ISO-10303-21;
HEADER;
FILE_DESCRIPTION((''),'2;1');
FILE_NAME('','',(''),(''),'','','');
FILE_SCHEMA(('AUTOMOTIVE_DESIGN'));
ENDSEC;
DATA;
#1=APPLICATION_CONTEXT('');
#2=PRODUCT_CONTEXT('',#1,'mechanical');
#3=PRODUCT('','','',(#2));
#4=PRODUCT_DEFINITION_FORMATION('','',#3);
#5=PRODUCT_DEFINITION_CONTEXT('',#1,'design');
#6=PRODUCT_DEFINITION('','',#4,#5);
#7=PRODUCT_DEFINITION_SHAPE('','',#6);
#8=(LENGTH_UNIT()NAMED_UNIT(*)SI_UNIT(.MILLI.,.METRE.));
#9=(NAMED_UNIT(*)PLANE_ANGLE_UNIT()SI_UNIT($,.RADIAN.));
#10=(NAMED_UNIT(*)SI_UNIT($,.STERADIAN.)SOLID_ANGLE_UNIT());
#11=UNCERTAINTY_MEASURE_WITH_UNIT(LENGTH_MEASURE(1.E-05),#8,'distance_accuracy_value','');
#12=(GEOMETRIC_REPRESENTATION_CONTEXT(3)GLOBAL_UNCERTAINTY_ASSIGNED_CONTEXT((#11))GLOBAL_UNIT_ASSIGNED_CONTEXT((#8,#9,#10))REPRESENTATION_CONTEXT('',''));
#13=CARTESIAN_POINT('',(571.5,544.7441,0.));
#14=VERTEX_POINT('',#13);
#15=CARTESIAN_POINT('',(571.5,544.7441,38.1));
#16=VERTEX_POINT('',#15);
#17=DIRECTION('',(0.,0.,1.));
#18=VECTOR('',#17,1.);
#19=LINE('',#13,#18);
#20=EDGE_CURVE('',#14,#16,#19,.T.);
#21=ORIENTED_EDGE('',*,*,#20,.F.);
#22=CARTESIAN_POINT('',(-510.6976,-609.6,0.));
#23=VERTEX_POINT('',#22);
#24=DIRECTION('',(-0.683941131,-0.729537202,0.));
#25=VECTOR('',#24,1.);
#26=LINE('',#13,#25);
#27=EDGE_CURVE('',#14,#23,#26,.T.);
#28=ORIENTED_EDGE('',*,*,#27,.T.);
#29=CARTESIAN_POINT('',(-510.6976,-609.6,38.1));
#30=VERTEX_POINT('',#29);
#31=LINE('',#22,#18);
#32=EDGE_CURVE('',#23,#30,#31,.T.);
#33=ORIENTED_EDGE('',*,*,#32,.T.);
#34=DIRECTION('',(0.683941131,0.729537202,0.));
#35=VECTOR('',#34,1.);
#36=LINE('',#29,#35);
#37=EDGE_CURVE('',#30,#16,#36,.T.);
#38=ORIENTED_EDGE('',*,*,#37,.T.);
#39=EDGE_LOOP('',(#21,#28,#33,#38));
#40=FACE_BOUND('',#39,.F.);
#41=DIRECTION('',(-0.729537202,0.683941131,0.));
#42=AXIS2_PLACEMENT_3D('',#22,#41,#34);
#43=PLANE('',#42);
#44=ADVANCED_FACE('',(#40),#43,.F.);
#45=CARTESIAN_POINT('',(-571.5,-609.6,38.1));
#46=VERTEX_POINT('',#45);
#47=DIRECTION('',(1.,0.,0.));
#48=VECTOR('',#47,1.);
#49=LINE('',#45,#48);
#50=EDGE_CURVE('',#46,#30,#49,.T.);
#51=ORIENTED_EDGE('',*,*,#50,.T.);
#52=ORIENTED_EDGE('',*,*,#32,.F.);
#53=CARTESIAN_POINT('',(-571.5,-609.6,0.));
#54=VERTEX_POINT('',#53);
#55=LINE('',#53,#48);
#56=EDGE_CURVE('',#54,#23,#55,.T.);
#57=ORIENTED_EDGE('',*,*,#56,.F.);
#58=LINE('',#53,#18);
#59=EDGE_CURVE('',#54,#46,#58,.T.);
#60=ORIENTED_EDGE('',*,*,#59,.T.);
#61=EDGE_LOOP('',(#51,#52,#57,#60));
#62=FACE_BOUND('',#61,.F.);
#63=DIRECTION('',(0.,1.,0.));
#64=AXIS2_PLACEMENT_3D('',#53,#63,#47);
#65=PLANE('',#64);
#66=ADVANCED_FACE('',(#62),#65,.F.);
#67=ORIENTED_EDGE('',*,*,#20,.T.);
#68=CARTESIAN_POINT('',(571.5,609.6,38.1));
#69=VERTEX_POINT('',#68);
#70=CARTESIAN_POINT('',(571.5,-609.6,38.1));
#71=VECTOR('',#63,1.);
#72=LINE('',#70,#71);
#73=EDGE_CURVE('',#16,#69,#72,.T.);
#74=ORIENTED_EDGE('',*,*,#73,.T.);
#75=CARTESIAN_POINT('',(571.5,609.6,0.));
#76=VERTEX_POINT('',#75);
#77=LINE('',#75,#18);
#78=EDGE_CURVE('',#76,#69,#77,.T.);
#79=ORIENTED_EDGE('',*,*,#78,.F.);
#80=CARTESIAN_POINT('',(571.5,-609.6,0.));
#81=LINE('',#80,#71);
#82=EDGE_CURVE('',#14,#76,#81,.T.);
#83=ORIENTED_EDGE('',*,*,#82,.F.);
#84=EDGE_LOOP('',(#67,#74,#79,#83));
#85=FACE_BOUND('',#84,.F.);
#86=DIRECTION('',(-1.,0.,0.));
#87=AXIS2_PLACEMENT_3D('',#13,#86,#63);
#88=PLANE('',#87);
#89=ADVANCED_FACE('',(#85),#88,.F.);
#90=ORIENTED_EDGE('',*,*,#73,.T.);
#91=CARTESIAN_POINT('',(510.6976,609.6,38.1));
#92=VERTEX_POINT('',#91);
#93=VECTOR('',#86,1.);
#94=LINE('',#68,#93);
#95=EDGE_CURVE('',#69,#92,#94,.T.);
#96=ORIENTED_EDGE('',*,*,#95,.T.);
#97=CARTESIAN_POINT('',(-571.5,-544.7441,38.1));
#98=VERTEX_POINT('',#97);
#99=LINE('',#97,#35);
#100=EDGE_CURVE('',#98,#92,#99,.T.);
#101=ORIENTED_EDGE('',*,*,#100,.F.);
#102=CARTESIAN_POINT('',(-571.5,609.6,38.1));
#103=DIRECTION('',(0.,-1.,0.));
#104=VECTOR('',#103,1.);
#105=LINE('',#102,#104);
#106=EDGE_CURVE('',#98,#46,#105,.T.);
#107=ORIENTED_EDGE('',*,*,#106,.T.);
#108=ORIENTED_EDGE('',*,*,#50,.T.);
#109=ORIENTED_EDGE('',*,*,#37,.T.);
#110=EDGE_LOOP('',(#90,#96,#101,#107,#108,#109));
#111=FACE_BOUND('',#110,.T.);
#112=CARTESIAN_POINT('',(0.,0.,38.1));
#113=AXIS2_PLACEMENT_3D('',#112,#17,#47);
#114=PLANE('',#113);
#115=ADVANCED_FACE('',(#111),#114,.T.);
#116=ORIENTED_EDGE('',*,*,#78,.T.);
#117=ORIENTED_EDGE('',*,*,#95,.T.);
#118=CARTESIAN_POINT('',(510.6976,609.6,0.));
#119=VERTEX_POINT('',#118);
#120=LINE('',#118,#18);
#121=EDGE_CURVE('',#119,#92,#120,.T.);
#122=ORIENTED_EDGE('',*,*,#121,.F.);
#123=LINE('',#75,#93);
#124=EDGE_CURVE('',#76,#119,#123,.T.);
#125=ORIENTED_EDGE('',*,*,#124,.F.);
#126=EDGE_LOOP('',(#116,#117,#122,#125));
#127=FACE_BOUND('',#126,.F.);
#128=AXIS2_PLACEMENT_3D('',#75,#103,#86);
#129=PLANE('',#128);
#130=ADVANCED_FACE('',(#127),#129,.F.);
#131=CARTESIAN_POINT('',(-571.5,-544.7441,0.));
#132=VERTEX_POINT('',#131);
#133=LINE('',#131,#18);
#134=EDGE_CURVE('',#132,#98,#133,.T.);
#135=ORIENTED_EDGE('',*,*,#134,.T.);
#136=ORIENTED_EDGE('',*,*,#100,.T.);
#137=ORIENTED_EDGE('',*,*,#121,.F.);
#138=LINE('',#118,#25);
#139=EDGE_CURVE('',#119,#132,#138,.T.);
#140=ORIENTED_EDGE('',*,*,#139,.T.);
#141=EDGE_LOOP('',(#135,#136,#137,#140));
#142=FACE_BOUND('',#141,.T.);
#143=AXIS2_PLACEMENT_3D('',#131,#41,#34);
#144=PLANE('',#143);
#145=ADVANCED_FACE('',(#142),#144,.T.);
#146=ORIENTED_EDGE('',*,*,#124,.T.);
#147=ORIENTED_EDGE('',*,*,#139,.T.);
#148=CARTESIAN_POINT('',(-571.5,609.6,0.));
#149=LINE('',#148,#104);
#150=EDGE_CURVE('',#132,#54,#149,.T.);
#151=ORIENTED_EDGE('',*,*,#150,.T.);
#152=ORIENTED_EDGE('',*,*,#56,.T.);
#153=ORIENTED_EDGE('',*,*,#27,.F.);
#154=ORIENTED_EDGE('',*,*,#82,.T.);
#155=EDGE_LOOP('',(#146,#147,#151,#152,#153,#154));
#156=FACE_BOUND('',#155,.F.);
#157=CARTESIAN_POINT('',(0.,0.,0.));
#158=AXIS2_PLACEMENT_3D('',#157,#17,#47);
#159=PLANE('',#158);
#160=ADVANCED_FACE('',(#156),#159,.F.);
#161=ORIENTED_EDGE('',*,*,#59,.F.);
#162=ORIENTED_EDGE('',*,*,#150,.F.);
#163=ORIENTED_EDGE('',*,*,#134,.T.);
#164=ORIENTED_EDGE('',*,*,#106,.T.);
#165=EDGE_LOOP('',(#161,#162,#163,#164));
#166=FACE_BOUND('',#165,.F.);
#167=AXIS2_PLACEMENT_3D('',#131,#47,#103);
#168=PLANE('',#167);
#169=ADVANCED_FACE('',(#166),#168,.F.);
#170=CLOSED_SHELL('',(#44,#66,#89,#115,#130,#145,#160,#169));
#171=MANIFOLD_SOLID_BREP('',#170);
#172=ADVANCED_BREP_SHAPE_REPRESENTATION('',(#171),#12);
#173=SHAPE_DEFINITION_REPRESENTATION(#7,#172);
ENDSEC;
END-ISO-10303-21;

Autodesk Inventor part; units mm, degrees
ref_plane "YZ Plane" through (0, 0, 0) normal (1, 0, 0) x (0, 1, 0)
ref_plane "XZ Plane" through (0, 0, 0) normal (0, 1, 0) x (-1, 0, 0)
ref_plane "XY Plane" through (0, 0, 0) normal (0, 0, 1) x (1, 0, 0)
sketch "Sketch1" plane through (0, 0, 0) normal (0, 0, 1) x (1, 0, 0)
  line L0 (-571.5, -609.6) -> (571.5, -609.6)
  line L1 (571.5, -609.6) -> (571.5, 609.6)
  line L2 (571.5, 609.6) -> (-571.5, 609.6)
  line L3 (-571.5, 609.6) -> (-571.5, -609.6)
  line L4 (-571.5, -609.6) -> (571.5, 609.6) construction
  line L5 (571.5, -609.6) -> (-571.5, 609.6) construction
  line L6 (-30.4012, 32.4279) -> (30.4012, -32.4279)
  line L7 (-510.6976, -609.6) -> (571.5, 544.7441)
  line L8 (-571.5, -544.7441) -> (510.6976, 609.6)
  point P0 (0, 0)
  point P1 (474.8791, 609.6)
  dimension "d6" = 88.9
extrude "Extrusion1" add sketch "Sketch1" along normal blind 38.1 contours L3 L8 L6 L7 L0 | L6 L8 L2 L1 L7
properties part number "S_2x4x65.795"
